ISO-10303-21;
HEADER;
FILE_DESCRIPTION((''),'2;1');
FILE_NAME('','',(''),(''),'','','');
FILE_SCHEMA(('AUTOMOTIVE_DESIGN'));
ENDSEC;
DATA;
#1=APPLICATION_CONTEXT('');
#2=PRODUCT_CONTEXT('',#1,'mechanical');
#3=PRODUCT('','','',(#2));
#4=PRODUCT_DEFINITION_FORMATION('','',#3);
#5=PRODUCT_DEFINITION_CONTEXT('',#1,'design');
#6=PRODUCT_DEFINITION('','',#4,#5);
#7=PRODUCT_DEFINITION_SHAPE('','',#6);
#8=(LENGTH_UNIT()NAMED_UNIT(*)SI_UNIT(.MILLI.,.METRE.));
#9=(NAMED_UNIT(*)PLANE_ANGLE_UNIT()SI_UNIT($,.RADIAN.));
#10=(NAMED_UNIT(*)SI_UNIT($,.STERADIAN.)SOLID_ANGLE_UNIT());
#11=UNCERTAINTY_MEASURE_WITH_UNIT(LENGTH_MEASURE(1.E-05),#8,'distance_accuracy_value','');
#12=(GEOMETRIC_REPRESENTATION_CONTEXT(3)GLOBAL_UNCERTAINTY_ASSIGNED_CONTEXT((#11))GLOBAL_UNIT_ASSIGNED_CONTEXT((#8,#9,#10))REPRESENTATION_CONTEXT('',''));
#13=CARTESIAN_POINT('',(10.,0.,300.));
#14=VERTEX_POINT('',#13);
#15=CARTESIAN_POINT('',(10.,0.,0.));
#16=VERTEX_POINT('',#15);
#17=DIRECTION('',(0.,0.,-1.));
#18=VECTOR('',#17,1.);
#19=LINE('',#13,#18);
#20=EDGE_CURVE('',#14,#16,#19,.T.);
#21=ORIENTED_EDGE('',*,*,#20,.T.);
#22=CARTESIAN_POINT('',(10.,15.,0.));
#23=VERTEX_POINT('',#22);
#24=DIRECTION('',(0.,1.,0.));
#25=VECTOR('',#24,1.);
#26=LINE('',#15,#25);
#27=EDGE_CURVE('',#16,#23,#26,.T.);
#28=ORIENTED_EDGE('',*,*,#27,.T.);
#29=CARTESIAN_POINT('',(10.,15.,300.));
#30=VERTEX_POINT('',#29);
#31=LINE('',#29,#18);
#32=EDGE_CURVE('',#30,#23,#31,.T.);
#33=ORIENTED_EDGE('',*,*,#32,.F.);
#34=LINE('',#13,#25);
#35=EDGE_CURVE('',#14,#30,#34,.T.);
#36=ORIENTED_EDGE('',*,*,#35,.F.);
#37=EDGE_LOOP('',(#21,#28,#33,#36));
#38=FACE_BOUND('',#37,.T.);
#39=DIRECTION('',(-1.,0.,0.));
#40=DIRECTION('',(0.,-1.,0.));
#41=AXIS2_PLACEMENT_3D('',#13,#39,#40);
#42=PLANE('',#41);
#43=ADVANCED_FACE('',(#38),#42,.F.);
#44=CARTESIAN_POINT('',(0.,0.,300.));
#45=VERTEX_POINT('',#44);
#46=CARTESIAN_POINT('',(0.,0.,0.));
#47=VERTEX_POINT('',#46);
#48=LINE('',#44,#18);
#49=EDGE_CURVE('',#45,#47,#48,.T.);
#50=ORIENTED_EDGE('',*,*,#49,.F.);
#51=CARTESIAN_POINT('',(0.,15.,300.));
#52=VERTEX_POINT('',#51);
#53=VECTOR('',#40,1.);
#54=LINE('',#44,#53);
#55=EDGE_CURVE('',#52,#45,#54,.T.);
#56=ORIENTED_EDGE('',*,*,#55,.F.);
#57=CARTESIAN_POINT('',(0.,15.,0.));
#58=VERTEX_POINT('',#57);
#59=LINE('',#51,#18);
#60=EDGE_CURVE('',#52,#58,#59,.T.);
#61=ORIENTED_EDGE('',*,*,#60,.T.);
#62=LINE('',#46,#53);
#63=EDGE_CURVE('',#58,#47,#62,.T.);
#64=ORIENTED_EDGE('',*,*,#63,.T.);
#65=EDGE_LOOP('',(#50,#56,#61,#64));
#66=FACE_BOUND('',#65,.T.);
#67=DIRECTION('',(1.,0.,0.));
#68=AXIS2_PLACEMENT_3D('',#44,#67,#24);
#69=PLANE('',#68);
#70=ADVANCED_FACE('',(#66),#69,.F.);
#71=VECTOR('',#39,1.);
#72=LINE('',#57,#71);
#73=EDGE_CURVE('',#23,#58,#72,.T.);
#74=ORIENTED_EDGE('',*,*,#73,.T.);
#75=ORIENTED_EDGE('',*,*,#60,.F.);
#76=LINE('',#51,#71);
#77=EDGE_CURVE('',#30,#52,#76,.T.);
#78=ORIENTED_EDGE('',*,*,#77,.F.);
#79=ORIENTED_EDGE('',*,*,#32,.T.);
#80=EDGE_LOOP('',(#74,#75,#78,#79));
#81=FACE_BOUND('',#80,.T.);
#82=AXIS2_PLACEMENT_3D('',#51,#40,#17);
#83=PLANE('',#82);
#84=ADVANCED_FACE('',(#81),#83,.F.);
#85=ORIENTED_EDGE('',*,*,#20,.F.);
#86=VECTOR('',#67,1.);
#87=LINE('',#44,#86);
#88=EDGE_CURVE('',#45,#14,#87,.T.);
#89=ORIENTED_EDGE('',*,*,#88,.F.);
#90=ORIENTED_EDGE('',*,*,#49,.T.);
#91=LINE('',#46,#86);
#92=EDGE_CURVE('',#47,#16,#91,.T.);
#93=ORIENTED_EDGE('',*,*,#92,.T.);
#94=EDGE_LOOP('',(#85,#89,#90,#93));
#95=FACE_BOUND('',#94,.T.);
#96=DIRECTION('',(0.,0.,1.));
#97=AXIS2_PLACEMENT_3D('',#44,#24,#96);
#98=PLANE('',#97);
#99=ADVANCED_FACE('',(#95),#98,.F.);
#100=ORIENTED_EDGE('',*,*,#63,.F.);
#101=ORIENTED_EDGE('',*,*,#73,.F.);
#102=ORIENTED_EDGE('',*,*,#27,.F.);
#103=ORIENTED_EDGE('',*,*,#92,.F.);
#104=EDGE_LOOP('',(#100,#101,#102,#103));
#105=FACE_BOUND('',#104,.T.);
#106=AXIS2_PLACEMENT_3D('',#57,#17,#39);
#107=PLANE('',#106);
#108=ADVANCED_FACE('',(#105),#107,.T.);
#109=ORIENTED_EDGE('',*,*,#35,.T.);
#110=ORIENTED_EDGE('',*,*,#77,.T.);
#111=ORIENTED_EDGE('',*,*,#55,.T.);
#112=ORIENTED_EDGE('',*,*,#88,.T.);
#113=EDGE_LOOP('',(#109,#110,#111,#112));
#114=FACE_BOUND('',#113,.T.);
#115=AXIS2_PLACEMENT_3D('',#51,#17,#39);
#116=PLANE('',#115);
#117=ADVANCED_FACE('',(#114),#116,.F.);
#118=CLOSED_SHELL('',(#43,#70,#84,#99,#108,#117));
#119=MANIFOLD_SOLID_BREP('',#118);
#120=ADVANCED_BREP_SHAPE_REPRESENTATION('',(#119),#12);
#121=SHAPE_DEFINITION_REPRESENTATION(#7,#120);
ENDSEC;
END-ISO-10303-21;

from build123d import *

# Parameters (mm, degrees)
SKETCH_1_W      = 10
SKETCH_1_H      = 15
EXTRUDE_1_DEPTH = 300


with BuildPart() as part:
    # Эскиз1 → Бобышка-Вытянуть1 (new body)
    with BuildSketch(Plane.XY):
        with Locations((5, 7.5)):
            Rectangle(SKETCH_1_W, SKETCH_1_H)
    extrude(amount=EXTRUDE_1_DEPTH)


solid = part.part
